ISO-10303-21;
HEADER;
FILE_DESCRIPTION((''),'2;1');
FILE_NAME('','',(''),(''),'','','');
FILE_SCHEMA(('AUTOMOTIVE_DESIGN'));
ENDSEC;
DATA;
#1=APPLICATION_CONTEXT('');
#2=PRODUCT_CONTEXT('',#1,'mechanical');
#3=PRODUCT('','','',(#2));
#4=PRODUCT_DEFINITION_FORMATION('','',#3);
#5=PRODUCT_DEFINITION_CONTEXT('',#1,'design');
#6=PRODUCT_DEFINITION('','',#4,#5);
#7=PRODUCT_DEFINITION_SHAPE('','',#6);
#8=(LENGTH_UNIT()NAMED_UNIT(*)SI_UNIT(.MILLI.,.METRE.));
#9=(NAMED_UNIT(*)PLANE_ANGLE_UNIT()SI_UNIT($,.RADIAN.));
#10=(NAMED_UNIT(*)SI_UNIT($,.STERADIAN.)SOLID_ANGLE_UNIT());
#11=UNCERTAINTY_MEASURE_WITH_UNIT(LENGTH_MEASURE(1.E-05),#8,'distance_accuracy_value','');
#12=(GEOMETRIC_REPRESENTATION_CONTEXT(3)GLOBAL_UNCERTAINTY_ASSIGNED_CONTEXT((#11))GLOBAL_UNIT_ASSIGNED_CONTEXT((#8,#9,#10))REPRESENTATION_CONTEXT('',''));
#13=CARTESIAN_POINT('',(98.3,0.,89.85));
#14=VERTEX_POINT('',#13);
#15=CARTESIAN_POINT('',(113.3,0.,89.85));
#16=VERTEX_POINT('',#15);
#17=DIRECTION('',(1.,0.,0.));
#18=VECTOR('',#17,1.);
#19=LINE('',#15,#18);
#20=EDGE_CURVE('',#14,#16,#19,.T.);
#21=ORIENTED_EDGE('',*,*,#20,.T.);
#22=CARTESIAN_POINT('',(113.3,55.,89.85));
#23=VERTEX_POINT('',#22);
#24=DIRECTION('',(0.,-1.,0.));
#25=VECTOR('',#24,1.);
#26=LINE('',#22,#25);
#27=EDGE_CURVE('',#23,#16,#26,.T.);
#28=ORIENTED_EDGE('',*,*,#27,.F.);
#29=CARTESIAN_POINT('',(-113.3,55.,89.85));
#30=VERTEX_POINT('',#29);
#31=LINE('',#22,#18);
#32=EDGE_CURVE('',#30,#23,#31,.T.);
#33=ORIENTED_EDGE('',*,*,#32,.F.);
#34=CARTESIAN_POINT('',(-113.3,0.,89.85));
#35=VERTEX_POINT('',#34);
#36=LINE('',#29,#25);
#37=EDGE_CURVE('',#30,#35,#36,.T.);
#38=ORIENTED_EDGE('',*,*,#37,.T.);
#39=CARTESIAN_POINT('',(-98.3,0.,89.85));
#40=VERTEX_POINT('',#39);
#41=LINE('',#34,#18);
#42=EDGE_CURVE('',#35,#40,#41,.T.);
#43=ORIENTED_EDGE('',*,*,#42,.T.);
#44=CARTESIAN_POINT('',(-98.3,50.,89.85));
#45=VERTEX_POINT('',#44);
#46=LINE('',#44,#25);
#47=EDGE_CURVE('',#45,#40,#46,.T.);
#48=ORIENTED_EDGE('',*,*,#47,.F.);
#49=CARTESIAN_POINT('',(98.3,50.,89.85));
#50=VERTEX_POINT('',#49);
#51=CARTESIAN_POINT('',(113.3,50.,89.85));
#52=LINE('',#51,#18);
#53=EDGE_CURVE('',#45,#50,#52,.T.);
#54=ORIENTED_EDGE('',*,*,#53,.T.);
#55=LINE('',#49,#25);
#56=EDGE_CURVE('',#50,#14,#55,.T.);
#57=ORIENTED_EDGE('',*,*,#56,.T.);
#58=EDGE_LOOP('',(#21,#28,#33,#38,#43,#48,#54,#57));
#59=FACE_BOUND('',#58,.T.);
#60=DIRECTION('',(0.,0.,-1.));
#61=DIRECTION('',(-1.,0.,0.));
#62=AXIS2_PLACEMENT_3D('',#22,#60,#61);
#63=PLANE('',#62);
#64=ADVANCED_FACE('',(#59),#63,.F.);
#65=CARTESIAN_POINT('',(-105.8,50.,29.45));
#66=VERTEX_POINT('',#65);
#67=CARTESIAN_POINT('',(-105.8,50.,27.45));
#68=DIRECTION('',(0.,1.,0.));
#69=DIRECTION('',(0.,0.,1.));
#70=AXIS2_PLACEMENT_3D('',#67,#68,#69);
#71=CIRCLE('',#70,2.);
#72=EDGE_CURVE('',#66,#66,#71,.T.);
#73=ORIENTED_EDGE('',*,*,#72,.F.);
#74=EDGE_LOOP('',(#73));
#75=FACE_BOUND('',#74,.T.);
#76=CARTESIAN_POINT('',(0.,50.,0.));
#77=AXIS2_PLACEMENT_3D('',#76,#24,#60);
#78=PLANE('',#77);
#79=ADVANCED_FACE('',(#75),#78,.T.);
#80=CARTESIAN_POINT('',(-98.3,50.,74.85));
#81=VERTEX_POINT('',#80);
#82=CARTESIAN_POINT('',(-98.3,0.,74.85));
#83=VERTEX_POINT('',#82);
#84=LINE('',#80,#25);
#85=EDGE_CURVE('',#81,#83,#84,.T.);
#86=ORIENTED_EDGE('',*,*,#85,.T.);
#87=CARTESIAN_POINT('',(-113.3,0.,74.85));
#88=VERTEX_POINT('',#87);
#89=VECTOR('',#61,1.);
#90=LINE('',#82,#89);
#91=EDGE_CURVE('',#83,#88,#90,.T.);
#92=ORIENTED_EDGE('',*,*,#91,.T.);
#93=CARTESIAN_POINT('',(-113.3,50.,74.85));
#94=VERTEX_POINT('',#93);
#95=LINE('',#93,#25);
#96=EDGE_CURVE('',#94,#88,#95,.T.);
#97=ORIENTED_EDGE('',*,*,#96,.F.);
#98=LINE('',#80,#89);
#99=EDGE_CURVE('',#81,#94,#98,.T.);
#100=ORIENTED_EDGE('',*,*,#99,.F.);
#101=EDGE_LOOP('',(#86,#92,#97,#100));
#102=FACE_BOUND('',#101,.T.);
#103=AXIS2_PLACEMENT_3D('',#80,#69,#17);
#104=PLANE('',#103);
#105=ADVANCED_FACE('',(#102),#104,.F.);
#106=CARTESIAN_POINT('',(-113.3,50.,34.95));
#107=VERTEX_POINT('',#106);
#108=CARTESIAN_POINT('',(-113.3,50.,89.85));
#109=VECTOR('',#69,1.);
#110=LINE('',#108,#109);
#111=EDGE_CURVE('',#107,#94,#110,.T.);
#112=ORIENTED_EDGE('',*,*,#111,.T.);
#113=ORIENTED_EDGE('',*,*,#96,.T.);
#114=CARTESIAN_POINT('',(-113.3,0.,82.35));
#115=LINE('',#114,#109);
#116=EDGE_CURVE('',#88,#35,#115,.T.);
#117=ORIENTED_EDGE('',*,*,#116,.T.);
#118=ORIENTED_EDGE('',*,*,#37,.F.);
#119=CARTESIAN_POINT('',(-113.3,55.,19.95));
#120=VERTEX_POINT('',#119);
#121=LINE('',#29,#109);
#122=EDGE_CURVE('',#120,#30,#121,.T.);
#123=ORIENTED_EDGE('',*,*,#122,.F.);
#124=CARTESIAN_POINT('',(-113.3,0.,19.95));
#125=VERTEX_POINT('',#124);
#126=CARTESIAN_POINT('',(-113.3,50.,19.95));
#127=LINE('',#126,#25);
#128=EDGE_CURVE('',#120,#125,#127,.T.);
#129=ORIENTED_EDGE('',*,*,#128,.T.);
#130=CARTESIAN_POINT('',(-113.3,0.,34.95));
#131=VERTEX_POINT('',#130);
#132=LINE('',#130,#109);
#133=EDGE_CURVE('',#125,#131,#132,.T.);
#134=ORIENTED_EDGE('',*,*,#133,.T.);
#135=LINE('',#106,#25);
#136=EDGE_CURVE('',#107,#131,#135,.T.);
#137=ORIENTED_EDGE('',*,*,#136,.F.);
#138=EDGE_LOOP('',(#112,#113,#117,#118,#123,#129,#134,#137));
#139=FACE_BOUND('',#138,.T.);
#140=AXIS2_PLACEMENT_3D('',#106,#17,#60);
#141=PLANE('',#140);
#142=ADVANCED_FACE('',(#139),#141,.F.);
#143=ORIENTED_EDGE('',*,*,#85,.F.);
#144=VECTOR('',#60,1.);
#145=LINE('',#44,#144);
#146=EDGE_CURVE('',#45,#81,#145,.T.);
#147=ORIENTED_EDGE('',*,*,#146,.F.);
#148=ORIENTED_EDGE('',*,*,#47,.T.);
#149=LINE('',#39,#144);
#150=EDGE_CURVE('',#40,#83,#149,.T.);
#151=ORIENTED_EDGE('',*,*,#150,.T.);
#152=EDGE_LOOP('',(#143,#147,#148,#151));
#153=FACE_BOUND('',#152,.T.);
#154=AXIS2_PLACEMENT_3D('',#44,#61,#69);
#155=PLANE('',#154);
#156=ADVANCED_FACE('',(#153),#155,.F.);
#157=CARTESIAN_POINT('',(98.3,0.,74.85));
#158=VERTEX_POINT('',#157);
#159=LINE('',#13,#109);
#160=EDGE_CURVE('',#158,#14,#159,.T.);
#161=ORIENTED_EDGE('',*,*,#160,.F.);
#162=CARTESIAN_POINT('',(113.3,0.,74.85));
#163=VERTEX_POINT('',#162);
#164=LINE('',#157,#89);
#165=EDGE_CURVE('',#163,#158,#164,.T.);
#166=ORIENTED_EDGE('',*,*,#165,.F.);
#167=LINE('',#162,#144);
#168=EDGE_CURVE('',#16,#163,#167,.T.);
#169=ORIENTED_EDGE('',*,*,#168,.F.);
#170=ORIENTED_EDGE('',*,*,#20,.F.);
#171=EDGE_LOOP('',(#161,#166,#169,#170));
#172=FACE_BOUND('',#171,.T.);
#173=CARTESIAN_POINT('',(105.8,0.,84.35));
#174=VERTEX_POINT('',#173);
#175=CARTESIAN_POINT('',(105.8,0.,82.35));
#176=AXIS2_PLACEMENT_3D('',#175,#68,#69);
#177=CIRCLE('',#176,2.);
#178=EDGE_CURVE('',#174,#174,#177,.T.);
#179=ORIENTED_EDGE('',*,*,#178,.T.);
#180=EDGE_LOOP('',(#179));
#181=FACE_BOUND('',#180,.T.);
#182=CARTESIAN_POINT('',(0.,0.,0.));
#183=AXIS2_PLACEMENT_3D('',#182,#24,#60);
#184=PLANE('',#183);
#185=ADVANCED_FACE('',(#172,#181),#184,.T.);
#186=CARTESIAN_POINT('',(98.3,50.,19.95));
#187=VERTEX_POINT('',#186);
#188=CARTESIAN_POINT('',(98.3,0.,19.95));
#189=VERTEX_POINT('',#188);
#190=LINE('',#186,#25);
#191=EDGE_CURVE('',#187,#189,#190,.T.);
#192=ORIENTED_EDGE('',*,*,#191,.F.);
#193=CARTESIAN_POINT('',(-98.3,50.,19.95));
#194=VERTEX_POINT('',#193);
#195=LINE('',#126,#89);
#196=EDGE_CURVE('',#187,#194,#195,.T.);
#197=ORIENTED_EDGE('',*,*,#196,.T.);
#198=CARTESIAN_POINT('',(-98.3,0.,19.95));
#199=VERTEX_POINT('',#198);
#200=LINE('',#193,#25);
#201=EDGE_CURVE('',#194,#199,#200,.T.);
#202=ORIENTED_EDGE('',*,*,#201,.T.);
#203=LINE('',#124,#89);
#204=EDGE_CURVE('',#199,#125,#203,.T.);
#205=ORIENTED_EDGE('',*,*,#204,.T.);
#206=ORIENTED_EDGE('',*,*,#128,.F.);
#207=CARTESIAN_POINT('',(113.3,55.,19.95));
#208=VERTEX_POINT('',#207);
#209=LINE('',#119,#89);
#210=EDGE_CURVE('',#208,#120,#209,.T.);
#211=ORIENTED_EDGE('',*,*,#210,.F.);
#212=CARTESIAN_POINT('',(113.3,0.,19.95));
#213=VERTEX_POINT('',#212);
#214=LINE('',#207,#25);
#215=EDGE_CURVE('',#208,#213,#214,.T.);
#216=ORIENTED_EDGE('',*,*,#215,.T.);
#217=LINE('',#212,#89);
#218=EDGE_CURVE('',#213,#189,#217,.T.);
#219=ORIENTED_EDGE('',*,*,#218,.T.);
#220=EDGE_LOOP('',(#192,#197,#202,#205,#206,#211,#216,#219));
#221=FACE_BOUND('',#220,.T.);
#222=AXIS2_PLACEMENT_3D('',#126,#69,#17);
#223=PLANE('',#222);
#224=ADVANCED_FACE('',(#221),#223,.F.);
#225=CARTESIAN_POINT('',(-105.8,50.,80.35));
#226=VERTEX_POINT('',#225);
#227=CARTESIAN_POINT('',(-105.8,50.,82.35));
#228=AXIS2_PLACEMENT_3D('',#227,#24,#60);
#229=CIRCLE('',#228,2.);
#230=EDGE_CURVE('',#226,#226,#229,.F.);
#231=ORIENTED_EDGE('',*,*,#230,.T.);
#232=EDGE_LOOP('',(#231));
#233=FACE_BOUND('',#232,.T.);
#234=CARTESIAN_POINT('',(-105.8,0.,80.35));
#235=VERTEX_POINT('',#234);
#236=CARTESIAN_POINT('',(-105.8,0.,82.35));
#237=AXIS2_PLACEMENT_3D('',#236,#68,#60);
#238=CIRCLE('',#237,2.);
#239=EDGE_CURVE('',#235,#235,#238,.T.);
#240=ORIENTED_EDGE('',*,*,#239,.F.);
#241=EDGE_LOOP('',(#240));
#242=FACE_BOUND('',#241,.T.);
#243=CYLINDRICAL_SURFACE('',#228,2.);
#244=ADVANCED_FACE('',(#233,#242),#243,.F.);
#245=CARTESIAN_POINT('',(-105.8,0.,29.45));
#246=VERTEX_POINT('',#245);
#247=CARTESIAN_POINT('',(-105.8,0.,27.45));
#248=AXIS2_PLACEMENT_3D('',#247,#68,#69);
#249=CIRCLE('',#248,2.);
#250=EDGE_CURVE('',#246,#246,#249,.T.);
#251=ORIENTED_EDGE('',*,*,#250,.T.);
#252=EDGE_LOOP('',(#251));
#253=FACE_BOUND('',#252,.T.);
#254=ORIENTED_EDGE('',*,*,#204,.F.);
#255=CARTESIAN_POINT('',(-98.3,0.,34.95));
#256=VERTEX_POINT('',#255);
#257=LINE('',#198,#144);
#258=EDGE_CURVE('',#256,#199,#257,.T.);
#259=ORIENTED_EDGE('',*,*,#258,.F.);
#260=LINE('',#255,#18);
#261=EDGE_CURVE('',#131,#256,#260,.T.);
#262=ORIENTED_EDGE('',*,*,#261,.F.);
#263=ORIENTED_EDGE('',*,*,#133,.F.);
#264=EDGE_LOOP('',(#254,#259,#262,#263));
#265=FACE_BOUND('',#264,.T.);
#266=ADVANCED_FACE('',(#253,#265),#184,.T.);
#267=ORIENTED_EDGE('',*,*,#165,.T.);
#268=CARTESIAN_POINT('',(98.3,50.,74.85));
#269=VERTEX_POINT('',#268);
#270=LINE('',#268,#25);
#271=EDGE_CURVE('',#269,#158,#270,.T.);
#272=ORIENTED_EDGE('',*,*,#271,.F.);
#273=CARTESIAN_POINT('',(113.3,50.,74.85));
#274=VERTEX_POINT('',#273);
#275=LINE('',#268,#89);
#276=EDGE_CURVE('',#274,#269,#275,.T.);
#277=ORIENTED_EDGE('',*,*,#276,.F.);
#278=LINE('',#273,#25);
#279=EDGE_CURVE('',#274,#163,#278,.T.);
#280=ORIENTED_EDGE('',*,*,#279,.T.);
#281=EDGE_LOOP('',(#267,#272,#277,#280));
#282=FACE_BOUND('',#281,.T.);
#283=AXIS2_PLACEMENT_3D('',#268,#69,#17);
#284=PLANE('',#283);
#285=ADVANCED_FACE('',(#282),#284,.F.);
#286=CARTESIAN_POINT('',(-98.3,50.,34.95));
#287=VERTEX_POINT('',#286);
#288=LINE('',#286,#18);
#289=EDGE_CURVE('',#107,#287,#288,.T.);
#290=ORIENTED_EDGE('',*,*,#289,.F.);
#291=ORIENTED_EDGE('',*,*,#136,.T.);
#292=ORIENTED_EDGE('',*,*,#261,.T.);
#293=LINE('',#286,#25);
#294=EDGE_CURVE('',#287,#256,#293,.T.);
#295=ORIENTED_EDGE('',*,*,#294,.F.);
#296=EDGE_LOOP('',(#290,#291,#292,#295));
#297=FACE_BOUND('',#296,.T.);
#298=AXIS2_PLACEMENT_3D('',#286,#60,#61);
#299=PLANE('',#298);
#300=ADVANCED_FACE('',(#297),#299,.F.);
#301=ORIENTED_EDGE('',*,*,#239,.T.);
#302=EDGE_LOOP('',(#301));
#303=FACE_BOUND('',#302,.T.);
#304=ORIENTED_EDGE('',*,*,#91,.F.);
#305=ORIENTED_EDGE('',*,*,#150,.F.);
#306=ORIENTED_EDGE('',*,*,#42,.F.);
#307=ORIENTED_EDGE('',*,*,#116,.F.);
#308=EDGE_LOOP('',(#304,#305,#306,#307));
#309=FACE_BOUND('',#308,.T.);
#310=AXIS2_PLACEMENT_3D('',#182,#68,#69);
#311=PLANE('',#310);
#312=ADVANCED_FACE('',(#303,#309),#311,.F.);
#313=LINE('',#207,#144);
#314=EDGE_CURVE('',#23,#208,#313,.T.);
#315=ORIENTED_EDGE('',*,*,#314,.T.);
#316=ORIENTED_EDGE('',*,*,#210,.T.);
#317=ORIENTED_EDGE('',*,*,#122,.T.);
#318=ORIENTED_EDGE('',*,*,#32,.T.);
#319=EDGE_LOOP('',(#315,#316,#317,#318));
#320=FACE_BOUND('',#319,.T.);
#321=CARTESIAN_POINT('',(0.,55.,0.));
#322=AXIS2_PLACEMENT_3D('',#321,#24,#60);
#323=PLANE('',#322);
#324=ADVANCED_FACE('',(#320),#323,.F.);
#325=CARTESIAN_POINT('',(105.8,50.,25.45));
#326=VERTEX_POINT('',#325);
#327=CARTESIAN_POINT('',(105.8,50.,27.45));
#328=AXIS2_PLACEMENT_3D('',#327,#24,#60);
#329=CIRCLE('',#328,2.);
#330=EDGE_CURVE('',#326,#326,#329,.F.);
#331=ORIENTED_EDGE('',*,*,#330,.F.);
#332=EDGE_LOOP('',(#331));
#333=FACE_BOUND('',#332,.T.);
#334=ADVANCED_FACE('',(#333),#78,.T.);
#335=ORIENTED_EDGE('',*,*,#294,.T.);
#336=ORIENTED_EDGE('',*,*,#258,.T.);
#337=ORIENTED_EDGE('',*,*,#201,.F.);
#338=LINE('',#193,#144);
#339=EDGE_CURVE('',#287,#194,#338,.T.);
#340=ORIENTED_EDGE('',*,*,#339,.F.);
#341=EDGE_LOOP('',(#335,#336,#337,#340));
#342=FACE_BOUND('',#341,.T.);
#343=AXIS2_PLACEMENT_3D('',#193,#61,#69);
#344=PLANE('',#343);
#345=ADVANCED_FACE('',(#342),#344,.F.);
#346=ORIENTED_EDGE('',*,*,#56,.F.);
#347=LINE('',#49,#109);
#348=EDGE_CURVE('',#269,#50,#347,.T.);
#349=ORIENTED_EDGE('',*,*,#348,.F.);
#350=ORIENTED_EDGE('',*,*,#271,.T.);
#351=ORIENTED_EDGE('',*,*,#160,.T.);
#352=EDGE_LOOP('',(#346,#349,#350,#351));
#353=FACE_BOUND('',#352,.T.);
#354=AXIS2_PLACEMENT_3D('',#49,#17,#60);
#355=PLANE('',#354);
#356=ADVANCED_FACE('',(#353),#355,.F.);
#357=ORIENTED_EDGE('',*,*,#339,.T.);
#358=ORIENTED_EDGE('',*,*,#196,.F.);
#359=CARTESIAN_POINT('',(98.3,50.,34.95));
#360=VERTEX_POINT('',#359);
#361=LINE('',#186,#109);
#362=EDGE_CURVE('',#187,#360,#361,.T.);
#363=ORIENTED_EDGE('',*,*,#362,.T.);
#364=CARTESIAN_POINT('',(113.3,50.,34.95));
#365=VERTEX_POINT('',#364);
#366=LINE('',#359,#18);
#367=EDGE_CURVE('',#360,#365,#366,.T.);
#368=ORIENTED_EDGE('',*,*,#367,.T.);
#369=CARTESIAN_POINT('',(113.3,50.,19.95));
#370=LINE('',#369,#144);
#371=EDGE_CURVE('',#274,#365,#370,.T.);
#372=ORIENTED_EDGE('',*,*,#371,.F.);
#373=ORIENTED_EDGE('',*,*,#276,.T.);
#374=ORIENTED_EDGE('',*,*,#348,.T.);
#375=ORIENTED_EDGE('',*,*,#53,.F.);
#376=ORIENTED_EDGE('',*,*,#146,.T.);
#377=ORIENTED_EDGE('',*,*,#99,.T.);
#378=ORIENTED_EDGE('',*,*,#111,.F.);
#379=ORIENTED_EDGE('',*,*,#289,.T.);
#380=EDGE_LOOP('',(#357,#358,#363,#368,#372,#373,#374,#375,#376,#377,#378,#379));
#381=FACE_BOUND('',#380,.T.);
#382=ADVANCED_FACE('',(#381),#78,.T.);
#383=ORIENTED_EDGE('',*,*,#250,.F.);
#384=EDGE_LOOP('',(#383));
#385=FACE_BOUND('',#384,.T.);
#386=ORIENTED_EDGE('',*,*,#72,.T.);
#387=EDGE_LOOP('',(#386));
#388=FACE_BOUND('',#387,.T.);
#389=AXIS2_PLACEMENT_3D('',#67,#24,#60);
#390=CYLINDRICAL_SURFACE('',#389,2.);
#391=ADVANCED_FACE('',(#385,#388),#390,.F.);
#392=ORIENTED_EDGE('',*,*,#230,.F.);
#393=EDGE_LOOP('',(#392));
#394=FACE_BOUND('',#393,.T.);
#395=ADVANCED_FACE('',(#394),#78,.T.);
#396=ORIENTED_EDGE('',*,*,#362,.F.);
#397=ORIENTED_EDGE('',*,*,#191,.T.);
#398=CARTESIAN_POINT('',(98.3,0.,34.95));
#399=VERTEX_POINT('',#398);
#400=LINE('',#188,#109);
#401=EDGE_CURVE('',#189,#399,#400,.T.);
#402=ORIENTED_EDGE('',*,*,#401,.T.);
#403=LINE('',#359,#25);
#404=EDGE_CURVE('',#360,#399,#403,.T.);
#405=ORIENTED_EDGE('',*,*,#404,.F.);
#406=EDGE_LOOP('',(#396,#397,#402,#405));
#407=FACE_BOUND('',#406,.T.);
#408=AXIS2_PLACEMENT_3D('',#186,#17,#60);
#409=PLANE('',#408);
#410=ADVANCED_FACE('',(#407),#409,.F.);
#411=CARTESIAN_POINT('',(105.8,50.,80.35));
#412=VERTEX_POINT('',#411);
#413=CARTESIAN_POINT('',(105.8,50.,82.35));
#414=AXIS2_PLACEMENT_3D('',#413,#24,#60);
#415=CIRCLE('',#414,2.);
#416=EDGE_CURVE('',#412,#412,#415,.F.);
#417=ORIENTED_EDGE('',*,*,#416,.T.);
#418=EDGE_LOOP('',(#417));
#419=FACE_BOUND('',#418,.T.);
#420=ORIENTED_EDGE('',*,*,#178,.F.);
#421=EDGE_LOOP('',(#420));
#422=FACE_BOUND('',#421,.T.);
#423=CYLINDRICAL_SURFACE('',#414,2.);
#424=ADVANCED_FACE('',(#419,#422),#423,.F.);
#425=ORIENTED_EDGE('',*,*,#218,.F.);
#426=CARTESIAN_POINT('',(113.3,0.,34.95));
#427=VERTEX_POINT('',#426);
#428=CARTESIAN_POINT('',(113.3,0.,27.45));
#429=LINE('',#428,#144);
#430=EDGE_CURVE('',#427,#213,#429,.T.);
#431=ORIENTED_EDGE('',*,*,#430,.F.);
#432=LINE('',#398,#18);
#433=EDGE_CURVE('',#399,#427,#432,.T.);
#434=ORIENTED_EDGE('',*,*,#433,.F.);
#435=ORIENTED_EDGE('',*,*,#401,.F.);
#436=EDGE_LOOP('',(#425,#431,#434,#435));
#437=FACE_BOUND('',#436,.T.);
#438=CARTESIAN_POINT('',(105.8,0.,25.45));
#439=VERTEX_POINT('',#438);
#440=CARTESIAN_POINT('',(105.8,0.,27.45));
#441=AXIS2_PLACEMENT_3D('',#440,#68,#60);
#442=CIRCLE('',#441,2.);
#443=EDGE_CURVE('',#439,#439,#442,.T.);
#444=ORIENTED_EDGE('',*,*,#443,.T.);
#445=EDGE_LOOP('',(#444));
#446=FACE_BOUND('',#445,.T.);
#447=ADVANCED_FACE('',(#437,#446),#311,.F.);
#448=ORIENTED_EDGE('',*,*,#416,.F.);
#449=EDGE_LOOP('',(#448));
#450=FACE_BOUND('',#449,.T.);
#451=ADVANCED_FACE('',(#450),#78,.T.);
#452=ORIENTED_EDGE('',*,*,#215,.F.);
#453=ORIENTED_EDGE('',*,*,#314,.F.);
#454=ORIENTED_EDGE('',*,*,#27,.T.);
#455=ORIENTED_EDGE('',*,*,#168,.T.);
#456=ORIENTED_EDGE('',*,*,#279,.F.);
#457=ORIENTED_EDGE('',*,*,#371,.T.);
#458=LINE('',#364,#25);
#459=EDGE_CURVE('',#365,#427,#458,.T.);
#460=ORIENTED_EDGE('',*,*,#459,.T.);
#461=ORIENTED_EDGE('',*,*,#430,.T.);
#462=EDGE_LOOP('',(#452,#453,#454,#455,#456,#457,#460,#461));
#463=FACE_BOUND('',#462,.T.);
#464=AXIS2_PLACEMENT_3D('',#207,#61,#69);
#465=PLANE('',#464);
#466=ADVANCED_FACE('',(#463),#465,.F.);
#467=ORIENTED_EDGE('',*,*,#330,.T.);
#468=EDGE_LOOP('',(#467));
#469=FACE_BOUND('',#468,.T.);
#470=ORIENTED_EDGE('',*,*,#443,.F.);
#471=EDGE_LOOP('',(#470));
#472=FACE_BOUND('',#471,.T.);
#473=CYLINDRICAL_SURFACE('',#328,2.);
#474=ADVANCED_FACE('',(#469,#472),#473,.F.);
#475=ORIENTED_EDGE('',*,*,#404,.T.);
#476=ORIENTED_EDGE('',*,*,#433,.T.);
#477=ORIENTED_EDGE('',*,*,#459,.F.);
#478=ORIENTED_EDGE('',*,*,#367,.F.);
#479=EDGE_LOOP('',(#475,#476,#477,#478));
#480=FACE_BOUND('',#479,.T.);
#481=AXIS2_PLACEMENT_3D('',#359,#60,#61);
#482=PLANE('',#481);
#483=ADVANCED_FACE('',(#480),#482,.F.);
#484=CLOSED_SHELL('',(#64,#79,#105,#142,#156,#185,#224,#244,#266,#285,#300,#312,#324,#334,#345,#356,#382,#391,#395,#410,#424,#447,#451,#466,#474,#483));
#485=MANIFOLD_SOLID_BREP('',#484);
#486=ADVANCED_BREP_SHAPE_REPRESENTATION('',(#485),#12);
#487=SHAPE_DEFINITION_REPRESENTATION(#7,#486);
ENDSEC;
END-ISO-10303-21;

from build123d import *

# Parameters (mm, degrees)
ESQUISSE1_R          = 2
BOSS_EXTRU_1_DEPTH   = 50
BOSS_EXTRU_1_2_DEPTH = 50
BOSS_EXTRU_1_3_DEPTH = 50
BOSS_EXTRU_1_4_DEPTH = 50
ESQUISSE2_W          = 226.6
ESQUISSE2_H          = 69.9
BOSS_EXTRU_2_DEPTH   = 5


with BuildPart() as part:
    # Esquisse1 → Boss.-Extru.1 (new body)
    with BuildSketch(Plane(origin=(0, 0, 0), x_dir=(1, 0, 0), z_dir=(0, 1, 0))):
        Polygon((-113.3, -27.45), (-113.3, -19.95), (-98.3, -19.95), (-98.3, -34.95), (-113.3, -34.95), align=None)
        with Locations(Location((-105.8, -27.45, 0), (0, 0, 270))):
            Circle(ESQUISSE1_R, mode=Mode.SUBTRACT)
    extrude(amount=BOSS_EXTRU_1_DEPTH)



with BuildPart() as body_2:
    # Esquisse1 → Boss.-Extru.1 2 (new body)
    with BuildSketch(Plane(origin=(0, 0, 0), x_dir=(1, 0, 0), z_dir=(0, 1, 0))):
        Polygon((-113.3, -74.85), (-113.3, -82.35), (-113.3, -89.85), (-98.3, -89.85), (-98.3, -74.85), align=None)
        with Locations(Location((-105.8, -82.35, 0), (0, 0, 90))):
            Circle(ESQUISSE1_R, mode=Mode.SUBTRACT)
    extrude(amount=BOSS_EXTRU_1_2_DEPTH)


with BuildPart() as body_3:
    # Esquisse1 → Boss.-Extru.1 3 (new body)
    with BuildSketch(Plane(origin=(0, 0, 0), x_dir=(1, 0, 0), z_dir=(0, 1, 0))):
        Polygon((98.3, -74.85), (113.3, -74.85), (113.3, -82.35), (113.3, -89.85), (98.3, -89.85), align=None)
        with Locations(Location((105.8, -82.35, 0), (0, 0, 270))):
            Circle(ESQUISSE1_R, mode=Mode.SUBTRACT)
    extrude(amount=BOSS_EXTRU_1_3_DEPTH)


with BuildPart() as body_4:
    # Esquisse1 → Boss.-Extru.1 4 (new body)
    with BuildSketch(Plane(origin=(0, 0, 0), x_dir=(1, 0, 0), z_dir=(0, 1, 0))):
        Polygon((113.3, -34.95), (113.3, -27.45), (113.3, -19.95), (98.3, -19.95), (98.3, -34.95), align=None)
        with Locations(Location((105.8, -27.45, 0), (0, 0, 90))):
            Circle(ESQUISSE1_R, mode=Mode.SUBTRACT)
    extrude(amount=BOSS_EXTRU_1_4_DEPTH)


with BuildPart() as part_1:
    add(part.part)

    add(body_2.part)  # Boss.-Extru.2 merges body 2

    add(body_3.part)  # Boss.-Extru.2 merges body 3

    add(body_4.part)  # Boss.-Extru.2 merges body 4
    # Esquisse2 → Boss.-Extru.2 (add)
    with BuildSketch(Plane(origin=(0, 50, 0), x_dir=(1, 0, 0), z_dir=(0, 1, 0))):
        with Locations((0, -54.9)):
            Rectangle(ESQUISSE2_W, ESQUISSE2_H)
    extrude(amount=BOSS_EXTRU_2_DEPTH)


solid = part_1.part
